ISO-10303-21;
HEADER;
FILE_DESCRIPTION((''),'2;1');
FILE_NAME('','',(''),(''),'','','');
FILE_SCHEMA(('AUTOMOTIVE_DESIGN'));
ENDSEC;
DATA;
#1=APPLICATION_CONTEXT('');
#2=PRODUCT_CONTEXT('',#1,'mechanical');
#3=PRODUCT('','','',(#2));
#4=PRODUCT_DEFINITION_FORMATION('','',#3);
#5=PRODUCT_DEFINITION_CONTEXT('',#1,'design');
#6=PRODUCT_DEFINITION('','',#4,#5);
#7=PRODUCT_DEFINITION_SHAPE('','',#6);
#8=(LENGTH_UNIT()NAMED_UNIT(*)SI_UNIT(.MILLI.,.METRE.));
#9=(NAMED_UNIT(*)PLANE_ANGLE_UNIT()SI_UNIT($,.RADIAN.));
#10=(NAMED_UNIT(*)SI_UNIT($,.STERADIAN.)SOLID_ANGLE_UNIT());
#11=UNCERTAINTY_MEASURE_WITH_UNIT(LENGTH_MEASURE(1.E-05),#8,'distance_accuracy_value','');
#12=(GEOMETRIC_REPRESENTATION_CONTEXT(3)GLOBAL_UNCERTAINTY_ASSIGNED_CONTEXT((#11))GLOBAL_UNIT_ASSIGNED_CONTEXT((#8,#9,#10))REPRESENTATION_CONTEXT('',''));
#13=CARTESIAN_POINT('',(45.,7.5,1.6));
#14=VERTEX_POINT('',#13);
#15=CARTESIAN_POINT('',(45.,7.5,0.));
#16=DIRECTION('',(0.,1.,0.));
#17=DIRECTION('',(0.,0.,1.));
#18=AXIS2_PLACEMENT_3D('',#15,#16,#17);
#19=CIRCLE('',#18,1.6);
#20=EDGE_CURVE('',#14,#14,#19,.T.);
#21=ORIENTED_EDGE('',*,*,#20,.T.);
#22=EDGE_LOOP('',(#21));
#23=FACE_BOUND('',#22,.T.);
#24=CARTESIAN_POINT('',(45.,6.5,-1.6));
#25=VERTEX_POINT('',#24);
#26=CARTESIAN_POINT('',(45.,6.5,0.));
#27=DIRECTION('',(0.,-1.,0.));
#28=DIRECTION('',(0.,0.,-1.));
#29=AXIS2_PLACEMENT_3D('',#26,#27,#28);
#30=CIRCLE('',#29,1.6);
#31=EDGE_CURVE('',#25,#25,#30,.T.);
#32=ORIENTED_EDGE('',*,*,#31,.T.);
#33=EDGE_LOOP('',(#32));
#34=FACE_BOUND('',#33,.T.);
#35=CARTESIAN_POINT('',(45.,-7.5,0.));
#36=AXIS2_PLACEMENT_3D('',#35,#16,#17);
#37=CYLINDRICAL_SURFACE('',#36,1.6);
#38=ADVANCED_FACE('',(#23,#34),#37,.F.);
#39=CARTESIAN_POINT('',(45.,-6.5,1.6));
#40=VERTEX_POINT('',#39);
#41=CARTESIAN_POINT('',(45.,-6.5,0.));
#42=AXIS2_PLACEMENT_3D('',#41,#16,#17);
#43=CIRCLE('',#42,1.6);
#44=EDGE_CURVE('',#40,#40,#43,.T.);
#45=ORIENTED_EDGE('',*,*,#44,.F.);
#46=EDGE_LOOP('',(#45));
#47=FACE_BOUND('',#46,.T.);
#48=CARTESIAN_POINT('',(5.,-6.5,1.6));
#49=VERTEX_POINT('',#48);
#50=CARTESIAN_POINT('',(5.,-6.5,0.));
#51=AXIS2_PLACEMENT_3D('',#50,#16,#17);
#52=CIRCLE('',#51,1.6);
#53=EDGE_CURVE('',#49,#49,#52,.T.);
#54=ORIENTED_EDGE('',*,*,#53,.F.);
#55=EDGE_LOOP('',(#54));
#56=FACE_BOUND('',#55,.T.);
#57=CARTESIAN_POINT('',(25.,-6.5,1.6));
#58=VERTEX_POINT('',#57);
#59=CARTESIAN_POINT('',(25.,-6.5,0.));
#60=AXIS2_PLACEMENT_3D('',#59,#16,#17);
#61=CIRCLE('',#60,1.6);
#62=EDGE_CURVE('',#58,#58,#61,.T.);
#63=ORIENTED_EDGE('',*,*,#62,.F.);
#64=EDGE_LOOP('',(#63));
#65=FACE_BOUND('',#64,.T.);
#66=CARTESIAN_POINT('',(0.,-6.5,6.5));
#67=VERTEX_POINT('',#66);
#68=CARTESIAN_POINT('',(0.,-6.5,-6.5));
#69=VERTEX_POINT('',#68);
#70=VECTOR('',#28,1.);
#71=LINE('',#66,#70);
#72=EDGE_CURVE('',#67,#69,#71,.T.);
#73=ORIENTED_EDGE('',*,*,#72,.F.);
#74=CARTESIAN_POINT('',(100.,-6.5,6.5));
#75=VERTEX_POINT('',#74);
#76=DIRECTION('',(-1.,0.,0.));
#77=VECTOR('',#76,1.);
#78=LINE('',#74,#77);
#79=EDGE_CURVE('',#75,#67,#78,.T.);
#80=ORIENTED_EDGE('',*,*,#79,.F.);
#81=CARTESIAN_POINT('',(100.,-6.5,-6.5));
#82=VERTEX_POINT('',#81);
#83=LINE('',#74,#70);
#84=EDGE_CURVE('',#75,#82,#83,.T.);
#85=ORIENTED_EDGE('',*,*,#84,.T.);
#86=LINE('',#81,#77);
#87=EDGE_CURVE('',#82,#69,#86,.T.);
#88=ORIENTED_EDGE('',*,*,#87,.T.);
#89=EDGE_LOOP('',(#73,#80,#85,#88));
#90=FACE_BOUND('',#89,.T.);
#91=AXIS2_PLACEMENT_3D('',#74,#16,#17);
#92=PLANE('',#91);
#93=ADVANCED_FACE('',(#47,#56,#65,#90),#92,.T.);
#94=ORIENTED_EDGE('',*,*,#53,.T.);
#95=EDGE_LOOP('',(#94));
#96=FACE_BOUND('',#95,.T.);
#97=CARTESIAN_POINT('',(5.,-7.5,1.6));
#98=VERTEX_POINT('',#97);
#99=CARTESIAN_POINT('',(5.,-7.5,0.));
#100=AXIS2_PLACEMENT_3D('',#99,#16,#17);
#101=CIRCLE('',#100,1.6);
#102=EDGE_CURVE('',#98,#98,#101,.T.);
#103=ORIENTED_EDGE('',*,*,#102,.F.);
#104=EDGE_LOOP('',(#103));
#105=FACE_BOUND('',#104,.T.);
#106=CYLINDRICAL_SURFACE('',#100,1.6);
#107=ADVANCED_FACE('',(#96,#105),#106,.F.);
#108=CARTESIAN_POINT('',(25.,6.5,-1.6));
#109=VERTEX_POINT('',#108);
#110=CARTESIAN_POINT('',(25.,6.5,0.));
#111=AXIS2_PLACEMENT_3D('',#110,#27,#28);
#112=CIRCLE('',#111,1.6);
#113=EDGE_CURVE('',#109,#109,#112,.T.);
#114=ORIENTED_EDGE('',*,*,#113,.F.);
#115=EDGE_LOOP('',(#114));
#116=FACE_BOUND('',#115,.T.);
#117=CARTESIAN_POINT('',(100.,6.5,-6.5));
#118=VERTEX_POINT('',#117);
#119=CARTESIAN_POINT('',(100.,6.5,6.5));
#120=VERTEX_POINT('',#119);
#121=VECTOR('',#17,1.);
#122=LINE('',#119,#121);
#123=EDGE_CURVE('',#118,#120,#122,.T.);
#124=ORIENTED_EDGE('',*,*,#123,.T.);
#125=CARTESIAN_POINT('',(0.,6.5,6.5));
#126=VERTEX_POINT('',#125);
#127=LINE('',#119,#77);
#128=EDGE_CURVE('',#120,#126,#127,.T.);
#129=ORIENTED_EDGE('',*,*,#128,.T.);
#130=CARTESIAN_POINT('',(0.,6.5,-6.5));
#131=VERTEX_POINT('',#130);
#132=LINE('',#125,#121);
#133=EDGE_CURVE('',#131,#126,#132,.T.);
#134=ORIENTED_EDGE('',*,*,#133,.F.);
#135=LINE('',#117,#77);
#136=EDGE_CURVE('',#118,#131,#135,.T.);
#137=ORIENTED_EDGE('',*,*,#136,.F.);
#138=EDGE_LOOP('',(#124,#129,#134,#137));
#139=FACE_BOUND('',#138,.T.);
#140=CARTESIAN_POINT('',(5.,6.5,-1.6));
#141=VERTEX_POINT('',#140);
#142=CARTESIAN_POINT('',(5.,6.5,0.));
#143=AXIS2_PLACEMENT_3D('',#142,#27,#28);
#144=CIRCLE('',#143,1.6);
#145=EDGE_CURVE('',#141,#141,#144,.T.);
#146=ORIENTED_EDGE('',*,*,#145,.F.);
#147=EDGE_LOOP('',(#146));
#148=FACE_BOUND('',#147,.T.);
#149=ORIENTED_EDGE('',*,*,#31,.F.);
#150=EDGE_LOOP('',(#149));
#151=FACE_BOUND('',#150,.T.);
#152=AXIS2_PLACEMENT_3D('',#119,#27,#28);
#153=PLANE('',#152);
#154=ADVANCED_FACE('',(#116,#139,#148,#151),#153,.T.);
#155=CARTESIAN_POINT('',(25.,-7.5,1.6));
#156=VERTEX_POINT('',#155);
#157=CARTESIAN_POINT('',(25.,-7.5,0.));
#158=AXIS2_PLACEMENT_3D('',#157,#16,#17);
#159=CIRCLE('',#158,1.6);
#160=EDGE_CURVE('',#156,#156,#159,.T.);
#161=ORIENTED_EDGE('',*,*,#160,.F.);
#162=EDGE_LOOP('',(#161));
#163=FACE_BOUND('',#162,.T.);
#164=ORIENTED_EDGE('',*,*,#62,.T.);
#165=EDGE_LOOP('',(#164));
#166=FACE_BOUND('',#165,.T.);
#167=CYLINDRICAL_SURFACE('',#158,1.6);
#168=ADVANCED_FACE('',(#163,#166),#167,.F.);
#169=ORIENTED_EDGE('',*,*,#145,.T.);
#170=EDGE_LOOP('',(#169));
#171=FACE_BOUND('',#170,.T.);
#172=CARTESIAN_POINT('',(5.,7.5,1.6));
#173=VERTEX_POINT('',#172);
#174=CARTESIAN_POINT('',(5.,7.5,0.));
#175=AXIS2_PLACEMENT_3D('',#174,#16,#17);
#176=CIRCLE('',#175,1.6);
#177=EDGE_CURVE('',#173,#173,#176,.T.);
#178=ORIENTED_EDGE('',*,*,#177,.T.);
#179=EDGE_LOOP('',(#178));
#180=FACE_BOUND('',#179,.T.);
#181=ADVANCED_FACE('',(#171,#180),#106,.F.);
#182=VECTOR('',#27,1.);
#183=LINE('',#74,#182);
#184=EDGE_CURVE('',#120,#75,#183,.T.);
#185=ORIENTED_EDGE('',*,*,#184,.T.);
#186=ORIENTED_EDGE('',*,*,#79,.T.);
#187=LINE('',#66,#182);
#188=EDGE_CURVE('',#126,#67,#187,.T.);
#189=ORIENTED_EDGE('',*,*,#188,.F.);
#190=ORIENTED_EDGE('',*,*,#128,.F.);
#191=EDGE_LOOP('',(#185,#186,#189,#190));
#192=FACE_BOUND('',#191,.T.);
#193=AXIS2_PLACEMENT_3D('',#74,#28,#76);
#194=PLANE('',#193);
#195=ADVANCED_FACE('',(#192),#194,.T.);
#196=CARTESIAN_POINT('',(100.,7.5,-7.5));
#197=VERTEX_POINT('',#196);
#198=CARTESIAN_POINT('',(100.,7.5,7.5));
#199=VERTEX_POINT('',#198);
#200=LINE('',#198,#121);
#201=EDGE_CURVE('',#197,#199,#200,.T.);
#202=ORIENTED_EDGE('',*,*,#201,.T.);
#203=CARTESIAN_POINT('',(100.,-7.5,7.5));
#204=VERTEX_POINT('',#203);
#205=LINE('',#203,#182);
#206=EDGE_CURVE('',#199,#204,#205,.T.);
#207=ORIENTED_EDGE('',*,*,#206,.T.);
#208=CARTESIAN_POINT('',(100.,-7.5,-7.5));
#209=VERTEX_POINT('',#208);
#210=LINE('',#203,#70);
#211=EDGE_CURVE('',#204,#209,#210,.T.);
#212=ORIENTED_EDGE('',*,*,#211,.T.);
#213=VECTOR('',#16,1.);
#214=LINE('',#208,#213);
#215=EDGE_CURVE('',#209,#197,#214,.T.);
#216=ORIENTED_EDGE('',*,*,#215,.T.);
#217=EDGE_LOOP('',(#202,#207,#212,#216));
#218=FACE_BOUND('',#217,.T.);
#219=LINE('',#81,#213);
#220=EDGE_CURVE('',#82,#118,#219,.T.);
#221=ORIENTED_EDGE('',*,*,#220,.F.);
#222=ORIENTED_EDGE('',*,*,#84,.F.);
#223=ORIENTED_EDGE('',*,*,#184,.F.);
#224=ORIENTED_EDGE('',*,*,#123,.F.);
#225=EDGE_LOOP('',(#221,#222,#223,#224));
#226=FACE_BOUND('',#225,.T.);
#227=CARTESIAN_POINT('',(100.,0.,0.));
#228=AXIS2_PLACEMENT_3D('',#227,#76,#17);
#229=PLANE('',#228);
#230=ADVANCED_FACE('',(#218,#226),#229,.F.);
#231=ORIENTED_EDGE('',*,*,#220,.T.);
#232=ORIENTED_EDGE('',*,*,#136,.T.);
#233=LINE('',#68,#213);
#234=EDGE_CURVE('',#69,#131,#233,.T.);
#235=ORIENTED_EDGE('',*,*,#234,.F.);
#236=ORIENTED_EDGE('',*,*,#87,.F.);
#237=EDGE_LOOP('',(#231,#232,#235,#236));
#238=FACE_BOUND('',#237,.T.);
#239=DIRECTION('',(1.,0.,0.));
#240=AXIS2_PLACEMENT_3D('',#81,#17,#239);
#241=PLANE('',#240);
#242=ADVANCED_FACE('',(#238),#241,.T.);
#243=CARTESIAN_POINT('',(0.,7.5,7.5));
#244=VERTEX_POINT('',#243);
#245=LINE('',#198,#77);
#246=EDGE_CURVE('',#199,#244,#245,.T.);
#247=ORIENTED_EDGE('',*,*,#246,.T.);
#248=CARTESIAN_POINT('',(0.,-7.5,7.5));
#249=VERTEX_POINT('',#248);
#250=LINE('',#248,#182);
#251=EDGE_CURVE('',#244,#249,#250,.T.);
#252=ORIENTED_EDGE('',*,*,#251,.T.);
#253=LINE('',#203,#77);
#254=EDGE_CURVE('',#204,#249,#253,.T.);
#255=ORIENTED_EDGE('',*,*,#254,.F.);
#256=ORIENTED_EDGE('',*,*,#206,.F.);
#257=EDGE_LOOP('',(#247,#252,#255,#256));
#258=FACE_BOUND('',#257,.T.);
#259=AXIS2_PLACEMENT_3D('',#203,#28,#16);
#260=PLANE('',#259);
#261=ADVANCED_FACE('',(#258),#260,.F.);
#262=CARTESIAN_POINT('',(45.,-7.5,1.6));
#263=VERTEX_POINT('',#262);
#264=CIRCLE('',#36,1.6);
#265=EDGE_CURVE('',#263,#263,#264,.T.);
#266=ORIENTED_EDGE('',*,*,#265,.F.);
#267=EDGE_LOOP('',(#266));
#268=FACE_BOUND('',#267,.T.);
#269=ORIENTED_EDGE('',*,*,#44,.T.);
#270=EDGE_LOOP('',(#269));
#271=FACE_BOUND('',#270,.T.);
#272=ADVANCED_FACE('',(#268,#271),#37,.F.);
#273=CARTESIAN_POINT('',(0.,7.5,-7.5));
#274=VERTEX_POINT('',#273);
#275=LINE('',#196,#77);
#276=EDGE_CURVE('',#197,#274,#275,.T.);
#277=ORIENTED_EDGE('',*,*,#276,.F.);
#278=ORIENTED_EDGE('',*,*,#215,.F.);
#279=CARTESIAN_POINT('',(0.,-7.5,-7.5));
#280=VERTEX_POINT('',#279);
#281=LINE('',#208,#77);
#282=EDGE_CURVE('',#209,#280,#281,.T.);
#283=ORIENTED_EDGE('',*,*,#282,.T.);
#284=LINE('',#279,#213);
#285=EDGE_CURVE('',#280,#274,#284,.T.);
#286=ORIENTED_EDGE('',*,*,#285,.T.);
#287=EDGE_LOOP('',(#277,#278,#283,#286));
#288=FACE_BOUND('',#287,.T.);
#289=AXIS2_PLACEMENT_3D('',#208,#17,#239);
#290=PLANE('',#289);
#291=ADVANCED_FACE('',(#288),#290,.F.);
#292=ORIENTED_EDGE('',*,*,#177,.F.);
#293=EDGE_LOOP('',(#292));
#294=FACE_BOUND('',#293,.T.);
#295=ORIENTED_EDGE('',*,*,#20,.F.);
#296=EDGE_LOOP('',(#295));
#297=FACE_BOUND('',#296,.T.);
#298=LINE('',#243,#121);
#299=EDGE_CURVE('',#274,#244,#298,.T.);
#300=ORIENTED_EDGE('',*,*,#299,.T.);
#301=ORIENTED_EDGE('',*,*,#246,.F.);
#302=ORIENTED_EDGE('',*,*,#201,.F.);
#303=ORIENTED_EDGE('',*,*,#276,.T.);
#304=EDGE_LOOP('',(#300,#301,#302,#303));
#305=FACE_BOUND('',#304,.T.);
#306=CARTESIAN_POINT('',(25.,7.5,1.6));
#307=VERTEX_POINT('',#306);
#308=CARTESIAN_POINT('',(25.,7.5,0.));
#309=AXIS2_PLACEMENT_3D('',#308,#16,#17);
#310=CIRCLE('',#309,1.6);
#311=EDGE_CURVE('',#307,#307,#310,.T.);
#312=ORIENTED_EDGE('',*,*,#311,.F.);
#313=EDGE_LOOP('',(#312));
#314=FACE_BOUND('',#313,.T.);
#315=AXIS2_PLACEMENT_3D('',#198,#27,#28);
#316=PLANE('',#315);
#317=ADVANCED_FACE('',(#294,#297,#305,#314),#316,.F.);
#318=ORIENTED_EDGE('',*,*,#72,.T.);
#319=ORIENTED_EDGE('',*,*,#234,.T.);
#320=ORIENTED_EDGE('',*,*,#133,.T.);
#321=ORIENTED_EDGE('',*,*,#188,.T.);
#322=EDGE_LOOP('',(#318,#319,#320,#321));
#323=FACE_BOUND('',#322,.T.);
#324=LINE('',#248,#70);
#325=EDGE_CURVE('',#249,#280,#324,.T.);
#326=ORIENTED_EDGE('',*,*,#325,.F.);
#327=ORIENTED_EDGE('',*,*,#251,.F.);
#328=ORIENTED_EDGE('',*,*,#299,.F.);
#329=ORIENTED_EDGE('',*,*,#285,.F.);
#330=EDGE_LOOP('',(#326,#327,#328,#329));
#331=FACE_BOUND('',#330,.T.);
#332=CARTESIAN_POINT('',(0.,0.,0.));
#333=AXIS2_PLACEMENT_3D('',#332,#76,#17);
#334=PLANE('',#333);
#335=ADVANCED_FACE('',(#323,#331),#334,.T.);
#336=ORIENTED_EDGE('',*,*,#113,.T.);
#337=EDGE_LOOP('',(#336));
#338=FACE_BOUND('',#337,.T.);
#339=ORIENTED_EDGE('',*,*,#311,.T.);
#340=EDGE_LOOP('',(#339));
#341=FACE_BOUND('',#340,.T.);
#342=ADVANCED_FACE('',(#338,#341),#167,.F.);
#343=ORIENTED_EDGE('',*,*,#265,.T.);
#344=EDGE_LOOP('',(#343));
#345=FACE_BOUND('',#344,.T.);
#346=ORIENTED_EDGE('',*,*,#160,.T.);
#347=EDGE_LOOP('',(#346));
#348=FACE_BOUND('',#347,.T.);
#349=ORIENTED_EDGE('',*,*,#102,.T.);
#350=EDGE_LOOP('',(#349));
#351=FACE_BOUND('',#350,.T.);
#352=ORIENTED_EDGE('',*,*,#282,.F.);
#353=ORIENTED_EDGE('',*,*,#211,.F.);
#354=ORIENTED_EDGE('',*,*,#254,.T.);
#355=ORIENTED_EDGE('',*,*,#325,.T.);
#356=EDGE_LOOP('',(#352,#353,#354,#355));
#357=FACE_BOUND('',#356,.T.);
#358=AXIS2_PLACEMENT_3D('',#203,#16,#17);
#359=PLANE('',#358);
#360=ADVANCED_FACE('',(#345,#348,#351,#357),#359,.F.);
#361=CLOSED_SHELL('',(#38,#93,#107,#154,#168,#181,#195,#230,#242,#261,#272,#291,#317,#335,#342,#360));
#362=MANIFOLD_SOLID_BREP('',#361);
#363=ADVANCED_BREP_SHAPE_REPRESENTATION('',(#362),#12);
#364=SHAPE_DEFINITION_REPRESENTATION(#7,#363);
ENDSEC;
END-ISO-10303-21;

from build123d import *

# Parameters (mm, degrees)
SKETCH_11_W         = 15
SKETCH_11_H         = 15
SKETCH_11_W_2       = 13
SKETCH_11_H_2       = 13
F_15X15X1_1_DEPTH   = 100
SKETCH_12_R         = 1.6
CUT_EXTRUDE_1_DEPTH = 102.396498953


with BuildPart() as part:
    # 草图11 → 铝管 15X15X1(1) (new body)
    with BuildSketch(Plane(origin=(0, 0, 0), x_dir=(0, 0, -1), z_dir=(1, 0, 0))):
        Rectangle(SKETCH_11_W, SKETCH_11_H)
        Rectangle(SKETCH_11_W_2, SKETCH_11_H_2, mode=Mode.SUBTRACT)
    extrude(amount=F_15X15X1_1_DEPTH)

    # 草图12 → 切除-拉伸1 (cut, through all)
    with BuildSketch(Plane(origin=(0, 7.5, 0), x_dir=(1, 0, 0), z_dir=(0, 1, 0))):
        with Locations(Location((45, 0, 0), (0, 0, 270))):
            Circle(SKETCH_12_R)
        with Locations(Location((25, 0, 0), (0, 0, 270))):
            Circle(SKETCH_12_R)
        with Locations(Location((5, 0, 0), (0, 0, 270))):
            Circle(SKETCH_12_R)
    extrude(amount=-CUT_EXTRUDE_1_DEPTH, mode=Mode.SUBTRACT)


solid = part.part
